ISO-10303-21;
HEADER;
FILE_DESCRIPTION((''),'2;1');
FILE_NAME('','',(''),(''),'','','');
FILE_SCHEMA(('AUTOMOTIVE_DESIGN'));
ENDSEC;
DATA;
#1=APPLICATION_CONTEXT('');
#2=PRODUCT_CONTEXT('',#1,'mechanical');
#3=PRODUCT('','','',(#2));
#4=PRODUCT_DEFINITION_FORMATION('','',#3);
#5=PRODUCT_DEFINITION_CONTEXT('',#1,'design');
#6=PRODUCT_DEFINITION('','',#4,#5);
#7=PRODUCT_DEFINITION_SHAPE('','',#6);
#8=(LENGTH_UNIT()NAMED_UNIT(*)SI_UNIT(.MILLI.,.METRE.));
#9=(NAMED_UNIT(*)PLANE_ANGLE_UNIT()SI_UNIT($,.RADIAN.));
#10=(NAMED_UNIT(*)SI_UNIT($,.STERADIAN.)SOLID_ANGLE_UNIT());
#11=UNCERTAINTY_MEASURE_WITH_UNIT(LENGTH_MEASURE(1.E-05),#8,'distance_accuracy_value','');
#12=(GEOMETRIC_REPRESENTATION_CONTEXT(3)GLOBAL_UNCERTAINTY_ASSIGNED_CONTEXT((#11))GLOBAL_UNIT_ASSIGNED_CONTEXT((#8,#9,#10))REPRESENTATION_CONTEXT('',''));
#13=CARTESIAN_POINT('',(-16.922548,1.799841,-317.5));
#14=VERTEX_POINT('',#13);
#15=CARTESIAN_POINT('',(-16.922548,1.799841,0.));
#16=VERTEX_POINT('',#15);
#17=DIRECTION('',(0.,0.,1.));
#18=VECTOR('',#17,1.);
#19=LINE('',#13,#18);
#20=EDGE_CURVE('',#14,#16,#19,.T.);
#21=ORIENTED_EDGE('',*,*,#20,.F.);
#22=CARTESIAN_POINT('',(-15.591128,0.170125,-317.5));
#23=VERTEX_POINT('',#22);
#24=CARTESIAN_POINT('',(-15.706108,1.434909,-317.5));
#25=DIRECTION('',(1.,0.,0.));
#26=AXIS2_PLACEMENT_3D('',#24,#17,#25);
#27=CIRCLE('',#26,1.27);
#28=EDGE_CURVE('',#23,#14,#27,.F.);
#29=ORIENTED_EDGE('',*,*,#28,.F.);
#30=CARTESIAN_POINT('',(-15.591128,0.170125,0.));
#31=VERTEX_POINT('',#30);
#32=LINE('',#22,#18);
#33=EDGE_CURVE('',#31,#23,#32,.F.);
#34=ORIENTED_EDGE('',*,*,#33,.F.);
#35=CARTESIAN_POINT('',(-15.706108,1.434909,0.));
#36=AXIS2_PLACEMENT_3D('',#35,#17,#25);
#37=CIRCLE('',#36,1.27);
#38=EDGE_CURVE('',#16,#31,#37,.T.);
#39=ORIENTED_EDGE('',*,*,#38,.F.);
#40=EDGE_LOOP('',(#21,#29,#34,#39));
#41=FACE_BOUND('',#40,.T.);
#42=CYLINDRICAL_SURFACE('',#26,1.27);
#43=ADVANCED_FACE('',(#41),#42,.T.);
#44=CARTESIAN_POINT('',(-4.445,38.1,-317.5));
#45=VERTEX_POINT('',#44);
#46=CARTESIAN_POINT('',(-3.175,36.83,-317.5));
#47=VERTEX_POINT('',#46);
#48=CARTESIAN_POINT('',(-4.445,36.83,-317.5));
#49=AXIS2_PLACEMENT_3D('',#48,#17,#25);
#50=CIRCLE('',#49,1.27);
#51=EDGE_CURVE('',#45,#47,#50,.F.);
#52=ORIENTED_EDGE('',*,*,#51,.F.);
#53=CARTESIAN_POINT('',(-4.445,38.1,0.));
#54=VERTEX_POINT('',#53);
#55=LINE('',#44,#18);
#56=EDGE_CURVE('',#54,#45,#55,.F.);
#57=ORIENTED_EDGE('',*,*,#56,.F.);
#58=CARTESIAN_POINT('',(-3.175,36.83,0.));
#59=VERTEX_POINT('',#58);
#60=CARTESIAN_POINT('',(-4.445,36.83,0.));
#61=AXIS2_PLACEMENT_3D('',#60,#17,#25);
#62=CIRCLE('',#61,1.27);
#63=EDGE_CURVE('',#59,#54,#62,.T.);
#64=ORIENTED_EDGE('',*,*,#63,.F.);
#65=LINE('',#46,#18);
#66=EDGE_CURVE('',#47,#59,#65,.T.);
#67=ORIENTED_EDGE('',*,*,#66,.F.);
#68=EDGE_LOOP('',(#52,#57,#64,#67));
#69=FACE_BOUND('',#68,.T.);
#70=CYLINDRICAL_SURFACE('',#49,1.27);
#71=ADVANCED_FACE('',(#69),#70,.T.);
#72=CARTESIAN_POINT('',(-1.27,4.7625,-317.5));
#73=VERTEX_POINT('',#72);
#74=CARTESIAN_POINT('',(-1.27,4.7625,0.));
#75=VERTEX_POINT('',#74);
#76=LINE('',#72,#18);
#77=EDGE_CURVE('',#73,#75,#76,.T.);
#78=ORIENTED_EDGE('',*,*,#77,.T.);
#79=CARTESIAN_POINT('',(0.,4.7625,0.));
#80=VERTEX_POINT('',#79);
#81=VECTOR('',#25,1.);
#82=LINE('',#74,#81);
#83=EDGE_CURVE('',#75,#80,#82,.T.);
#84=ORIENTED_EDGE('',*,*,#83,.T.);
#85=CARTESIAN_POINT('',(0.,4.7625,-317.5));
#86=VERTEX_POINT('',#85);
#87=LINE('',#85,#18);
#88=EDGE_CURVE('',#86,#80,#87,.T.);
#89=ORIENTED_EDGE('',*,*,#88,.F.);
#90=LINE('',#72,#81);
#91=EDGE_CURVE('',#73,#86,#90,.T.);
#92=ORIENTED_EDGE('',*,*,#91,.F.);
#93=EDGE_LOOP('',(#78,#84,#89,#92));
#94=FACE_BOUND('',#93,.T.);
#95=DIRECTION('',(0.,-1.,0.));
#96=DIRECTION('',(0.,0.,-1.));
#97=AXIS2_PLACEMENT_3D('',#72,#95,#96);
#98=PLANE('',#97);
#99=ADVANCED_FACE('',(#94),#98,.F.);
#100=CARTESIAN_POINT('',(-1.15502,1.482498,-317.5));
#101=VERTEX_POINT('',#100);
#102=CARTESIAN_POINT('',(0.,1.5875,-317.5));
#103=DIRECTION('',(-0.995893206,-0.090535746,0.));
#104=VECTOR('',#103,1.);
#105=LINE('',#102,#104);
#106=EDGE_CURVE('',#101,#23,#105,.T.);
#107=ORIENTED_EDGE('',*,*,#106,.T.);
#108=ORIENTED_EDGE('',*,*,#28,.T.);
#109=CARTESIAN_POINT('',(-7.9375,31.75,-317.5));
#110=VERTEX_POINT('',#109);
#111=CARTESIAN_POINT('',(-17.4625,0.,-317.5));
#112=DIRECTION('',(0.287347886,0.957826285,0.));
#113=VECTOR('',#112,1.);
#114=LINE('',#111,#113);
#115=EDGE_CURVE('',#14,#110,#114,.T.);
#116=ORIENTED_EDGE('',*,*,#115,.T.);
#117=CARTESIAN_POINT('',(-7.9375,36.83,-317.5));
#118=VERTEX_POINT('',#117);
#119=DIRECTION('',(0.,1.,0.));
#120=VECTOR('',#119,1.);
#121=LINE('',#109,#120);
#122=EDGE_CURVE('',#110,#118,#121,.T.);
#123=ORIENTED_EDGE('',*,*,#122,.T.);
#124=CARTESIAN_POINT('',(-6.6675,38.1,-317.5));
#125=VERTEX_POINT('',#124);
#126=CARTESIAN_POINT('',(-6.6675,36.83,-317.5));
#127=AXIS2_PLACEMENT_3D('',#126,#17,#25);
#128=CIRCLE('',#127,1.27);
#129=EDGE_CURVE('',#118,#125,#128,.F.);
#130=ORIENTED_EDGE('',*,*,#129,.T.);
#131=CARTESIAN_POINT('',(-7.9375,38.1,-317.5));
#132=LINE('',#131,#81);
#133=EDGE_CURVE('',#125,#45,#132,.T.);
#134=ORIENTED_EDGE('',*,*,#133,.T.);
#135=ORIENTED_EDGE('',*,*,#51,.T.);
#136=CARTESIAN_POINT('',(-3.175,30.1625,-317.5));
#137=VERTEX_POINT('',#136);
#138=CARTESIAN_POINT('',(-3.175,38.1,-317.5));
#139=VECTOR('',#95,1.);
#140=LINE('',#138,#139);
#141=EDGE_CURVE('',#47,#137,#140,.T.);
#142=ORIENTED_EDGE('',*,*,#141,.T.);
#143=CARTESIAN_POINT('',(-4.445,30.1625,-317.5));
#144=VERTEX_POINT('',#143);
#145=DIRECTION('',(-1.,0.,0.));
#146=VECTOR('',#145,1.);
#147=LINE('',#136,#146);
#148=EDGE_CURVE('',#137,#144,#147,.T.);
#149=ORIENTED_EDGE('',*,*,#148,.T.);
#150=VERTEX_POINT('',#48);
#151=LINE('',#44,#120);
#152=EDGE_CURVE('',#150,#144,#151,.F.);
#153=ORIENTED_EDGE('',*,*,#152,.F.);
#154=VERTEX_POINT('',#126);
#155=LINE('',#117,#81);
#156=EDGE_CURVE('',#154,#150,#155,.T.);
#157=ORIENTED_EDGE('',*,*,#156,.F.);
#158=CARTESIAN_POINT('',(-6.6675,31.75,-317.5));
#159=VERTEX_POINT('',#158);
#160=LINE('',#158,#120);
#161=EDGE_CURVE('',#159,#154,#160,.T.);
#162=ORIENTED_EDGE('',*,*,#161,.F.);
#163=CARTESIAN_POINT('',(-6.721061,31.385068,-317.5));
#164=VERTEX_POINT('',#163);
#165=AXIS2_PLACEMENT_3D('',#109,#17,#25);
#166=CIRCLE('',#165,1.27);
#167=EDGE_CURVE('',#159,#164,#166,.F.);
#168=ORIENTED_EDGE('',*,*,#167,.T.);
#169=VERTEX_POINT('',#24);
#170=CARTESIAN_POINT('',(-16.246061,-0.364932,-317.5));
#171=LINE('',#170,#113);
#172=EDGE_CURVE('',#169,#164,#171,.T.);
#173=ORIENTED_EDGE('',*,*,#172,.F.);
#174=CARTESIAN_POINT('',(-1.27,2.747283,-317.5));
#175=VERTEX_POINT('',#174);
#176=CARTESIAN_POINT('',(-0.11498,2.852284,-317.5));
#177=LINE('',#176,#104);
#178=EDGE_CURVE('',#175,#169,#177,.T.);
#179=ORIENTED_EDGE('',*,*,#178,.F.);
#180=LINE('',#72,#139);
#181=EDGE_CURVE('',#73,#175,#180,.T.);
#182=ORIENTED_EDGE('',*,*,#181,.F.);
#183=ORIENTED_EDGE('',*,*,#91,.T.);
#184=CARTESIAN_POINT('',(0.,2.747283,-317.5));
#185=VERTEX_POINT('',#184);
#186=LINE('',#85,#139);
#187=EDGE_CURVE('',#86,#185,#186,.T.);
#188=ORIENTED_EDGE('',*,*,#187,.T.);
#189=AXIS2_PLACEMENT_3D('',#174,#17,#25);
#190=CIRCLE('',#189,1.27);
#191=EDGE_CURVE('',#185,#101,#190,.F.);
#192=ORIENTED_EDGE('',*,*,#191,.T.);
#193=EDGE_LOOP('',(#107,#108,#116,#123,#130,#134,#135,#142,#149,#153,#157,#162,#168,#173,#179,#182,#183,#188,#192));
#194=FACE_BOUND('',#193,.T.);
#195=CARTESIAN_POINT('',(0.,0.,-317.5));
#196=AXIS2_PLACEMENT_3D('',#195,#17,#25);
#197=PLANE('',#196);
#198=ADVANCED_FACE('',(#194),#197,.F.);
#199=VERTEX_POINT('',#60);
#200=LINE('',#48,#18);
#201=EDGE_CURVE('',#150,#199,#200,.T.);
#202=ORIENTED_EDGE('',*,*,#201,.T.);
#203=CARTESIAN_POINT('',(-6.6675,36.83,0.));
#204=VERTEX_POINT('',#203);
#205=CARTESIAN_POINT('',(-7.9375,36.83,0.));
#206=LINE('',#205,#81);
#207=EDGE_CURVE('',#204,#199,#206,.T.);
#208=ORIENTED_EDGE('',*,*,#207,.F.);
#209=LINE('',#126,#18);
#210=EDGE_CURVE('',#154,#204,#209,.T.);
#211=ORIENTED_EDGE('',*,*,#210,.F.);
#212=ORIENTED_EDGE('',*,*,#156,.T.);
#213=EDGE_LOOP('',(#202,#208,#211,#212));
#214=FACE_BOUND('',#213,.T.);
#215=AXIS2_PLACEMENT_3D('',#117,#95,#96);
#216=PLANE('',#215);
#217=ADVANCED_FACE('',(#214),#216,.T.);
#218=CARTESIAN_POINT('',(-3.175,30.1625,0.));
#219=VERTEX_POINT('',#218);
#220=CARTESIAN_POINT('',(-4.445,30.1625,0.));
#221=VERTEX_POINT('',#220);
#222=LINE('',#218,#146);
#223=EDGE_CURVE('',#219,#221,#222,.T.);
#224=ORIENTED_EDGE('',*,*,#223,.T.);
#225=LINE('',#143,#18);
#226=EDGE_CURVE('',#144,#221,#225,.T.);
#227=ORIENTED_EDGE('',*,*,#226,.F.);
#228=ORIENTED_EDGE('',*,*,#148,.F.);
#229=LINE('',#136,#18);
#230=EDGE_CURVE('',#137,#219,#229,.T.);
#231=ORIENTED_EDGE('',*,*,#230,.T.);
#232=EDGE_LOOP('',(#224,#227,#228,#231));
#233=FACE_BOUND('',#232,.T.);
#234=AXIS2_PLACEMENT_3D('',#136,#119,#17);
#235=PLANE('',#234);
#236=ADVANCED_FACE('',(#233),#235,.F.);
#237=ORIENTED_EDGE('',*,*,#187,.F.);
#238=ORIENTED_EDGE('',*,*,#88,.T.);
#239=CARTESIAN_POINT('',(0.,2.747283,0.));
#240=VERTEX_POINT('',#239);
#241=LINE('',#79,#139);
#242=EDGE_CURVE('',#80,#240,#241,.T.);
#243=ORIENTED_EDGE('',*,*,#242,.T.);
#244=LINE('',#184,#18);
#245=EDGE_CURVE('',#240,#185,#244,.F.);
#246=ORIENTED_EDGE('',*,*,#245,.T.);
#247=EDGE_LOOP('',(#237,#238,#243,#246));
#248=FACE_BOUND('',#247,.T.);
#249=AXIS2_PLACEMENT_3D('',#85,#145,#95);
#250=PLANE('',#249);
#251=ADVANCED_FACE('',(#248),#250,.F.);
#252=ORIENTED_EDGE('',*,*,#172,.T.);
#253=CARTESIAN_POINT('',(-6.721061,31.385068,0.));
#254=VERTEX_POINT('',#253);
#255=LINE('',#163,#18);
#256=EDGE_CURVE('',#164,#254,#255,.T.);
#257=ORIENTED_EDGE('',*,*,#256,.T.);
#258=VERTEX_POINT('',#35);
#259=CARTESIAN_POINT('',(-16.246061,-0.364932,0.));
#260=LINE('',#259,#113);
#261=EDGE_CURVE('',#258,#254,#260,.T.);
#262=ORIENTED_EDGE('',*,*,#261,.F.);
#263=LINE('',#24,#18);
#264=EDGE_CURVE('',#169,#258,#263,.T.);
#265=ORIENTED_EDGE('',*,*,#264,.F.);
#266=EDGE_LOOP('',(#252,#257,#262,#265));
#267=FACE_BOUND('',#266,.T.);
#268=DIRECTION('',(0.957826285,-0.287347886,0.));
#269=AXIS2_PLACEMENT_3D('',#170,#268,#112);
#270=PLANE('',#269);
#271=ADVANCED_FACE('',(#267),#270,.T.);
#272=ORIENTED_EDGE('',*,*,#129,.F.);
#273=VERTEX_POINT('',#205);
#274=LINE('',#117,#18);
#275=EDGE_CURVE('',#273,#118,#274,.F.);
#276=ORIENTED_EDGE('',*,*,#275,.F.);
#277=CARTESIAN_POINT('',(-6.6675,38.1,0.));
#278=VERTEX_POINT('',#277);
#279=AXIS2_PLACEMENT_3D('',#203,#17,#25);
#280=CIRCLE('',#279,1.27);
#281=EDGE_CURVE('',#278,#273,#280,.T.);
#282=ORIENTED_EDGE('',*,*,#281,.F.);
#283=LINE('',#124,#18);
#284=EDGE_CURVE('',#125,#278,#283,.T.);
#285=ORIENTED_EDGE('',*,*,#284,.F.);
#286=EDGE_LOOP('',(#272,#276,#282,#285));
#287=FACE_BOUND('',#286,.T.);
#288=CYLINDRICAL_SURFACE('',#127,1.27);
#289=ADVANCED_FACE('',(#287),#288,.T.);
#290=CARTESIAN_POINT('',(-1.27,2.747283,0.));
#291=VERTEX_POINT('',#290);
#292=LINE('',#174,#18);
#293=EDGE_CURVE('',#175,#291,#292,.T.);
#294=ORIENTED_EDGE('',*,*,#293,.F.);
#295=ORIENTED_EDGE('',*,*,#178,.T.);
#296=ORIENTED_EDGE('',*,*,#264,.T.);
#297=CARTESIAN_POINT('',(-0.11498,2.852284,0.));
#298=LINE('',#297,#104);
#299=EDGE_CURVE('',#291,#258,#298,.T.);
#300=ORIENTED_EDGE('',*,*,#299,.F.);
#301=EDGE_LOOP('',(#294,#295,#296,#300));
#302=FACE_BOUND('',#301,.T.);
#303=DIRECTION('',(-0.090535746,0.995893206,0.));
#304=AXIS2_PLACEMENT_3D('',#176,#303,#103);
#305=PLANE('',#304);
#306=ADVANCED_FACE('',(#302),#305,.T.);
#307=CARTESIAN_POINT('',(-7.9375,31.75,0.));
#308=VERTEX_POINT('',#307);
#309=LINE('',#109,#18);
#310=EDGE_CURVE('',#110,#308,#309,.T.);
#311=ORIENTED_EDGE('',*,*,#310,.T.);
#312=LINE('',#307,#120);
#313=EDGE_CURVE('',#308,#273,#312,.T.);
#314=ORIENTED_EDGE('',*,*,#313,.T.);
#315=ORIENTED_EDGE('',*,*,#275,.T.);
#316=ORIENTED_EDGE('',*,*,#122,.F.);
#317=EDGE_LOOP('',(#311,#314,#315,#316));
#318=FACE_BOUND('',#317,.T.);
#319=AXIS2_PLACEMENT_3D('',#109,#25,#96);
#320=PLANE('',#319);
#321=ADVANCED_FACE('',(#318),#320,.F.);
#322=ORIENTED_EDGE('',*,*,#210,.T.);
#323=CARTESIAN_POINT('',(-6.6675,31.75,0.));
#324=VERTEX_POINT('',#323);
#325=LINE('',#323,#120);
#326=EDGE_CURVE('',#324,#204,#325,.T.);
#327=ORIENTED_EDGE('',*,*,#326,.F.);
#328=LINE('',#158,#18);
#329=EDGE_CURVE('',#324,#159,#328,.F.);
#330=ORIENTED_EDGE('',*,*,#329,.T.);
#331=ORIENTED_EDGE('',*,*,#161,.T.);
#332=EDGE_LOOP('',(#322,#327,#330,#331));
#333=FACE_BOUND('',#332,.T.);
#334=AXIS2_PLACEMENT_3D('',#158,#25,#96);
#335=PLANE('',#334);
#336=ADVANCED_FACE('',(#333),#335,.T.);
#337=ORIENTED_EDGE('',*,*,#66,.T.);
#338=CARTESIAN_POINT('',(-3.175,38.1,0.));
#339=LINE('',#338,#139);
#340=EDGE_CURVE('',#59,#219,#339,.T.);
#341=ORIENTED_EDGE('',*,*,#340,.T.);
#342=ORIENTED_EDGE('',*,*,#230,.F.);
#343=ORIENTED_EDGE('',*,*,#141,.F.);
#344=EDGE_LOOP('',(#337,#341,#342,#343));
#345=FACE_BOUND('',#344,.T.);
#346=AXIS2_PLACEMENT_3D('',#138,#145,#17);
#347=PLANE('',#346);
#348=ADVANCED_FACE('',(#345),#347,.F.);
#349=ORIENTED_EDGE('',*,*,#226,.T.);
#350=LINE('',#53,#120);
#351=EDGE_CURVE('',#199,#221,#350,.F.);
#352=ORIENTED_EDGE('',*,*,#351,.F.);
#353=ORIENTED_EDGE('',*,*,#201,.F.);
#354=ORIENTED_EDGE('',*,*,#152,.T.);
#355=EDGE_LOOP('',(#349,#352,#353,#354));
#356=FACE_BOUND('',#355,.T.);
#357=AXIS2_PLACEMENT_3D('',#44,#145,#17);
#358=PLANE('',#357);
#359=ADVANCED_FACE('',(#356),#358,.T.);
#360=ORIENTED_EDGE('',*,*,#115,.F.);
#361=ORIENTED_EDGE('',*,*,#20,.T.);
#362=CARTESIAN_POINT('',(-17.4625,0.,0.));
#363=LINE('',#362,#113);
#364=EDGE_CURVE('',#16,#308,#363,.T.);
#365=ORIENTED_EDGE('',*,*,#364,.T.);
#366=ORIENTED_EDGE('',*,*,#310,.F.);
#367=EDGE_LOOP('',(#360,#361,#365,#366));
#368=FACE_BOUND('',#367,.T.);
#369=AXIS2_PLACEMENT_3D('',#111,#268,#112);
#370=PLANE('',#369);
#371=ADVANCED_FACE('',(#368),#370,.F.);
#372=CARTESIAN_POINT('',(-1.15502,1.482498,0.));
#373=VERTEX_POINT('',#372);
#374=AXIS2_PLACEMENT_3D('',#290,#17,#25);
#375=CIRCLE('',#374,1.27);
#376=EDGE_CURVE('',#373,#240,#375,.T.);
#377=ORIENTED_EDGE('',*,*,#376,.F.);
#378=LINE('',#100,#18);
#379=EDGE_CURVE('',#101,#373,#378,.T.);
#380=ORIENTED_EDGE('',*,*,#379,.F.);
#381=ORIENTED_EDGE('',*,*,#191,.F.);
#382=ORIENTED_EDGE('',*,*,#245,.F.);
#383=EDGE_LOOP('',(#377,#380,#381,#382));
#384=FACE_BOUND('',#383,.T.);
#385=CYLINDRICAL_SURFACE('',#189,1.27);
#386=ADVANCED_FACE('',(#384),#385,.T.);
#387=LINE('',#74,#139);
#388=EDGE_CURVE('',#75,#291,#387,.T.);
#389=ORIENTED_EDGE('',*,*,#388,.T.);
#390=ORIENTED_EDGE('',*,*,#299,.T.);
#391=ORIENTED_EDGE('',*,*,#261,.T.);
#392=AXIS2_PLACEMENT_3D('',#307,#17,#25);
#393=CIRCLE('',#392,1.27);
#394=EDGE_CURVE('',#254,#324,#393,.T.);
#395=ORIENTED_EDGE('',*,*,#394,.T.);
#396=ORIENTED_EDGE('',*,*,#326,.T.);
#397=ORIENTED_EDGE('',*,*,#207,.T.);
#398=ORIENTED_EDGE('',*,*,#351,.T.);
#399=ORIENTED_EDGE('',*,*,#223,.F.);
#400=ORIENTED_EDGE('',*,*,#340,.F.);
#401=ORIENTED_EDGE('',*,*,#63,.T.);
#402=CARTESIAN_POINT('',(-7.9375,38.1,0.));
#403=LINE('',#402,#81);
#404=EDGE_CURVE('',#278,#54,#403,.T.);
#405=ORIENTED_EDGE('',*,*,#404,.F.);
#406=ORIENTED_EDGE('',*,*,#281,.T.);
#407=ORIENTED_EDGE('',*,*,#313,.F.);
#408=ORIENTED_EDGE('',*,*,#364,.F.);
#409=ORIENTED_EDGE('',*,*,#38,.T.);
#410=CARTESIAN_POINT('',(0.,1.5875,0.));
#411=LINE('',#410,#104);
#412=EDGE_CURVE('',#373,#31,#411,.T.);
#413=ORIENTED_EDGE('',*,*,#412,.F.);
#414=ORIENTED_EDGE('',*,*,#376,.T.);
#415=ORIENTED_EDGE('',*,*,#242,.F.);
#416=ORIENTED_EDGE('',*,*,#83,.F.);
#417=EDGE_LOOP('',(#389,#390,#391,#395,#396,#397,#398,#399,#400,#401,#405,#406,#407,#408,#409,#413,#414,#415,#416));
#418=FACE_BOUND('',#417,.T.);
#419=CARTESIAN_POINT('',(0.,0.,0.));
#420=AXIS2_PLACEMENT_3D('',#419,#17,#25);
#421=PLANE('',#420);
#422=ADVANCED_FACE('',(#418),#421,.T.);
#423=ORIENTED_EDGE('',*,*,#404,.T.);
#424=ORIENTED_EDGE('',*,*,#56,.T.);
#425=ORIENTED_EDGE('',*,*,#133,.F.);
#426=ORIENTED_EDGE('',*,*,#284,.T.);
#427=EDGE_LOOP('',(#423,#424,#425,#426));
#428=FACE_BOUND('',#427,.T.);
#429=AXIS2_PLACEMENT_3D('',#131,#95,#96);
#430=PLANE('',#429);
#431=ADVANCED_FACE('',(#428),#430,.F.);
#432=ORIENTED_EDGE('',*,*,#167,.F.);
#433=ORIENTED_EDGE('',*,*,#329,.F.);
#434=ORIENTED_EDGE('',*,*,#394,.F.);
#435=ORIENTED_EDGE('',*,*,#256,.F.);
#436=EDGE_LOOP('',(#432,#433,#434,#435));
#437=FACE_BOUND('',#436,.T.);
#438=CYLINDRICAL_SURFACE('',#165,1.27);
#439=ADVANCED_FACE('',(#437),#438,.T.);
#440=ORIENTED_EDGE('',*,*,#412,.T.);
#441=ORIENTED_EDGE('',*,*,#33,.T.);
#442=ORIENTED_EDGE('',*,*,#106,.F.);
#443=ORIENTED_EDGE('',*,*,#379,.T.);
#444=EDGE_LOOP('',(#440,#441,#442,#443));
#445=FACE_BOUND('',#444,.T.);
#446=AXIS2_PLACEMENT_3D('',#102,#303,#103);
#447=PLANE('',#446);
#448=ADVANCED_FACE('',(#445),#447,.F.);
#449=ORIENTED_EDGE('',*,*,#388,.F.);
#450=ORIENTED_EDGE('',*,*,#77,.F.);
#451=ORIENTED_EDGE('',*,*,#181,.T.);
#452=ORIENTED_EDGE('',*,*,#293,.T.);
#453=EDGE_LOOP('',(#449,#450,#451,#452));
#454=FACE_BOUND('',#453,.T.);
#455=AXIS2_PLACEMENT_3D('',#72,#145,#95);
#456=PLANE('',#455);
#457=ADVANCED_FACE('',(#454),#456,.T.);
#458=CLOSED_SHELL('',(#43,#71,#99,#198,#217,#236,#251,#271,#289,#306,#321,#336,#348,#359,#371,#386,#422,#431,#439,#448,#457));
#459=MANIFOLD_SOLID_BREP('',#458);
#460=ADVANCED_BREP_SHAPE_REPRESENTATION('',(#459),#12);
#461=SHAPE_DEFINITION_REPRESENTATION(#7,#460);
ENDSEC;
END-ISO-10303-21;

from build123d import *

# Parameters (mm, degrees)
EXTRUDE_THIN1_DEPTH = 317.5
FILLET1_R           = 1.27


with BuildPart() as part:
    # Sketch1 → Extrude-Thin1 (new body)
    with BuildSketch(Plane.XY):
        Polygon((0, 4.7625), (0, 1.5875), (-17.4625, 0), (-7.9375, 31.75), (-7.9375, 38.1), (-3.175, 38.1), (-3.175, 30.1625), (-4.445, 30.1625), (-4.445, 36.83), (-6.6675, 36.83), (-6.6675, 31.563603578), (-15.706108342, 1.434909105), (-1.27, 2.74728259), (-1.27, 4.7625), align=None)
    extrude(amount=-EXTRUDE_THIN1_DEPTH)

    # Fillet1
    fillet1_edges = [part.edges().sort_by_distance(p)[0] for p in [
        (-6.6675, 31.563603578, -158.75),
        (0, 1.5875, -158.75),
        (-17.4625, 0, -158.75),
        (-7.9375, 38.1, -158.75),
        (-3.175, 38.1, -158.75),
    ]]
    fillet(fillet1_edges, radius=FILLET1_R)


solid = part.part
